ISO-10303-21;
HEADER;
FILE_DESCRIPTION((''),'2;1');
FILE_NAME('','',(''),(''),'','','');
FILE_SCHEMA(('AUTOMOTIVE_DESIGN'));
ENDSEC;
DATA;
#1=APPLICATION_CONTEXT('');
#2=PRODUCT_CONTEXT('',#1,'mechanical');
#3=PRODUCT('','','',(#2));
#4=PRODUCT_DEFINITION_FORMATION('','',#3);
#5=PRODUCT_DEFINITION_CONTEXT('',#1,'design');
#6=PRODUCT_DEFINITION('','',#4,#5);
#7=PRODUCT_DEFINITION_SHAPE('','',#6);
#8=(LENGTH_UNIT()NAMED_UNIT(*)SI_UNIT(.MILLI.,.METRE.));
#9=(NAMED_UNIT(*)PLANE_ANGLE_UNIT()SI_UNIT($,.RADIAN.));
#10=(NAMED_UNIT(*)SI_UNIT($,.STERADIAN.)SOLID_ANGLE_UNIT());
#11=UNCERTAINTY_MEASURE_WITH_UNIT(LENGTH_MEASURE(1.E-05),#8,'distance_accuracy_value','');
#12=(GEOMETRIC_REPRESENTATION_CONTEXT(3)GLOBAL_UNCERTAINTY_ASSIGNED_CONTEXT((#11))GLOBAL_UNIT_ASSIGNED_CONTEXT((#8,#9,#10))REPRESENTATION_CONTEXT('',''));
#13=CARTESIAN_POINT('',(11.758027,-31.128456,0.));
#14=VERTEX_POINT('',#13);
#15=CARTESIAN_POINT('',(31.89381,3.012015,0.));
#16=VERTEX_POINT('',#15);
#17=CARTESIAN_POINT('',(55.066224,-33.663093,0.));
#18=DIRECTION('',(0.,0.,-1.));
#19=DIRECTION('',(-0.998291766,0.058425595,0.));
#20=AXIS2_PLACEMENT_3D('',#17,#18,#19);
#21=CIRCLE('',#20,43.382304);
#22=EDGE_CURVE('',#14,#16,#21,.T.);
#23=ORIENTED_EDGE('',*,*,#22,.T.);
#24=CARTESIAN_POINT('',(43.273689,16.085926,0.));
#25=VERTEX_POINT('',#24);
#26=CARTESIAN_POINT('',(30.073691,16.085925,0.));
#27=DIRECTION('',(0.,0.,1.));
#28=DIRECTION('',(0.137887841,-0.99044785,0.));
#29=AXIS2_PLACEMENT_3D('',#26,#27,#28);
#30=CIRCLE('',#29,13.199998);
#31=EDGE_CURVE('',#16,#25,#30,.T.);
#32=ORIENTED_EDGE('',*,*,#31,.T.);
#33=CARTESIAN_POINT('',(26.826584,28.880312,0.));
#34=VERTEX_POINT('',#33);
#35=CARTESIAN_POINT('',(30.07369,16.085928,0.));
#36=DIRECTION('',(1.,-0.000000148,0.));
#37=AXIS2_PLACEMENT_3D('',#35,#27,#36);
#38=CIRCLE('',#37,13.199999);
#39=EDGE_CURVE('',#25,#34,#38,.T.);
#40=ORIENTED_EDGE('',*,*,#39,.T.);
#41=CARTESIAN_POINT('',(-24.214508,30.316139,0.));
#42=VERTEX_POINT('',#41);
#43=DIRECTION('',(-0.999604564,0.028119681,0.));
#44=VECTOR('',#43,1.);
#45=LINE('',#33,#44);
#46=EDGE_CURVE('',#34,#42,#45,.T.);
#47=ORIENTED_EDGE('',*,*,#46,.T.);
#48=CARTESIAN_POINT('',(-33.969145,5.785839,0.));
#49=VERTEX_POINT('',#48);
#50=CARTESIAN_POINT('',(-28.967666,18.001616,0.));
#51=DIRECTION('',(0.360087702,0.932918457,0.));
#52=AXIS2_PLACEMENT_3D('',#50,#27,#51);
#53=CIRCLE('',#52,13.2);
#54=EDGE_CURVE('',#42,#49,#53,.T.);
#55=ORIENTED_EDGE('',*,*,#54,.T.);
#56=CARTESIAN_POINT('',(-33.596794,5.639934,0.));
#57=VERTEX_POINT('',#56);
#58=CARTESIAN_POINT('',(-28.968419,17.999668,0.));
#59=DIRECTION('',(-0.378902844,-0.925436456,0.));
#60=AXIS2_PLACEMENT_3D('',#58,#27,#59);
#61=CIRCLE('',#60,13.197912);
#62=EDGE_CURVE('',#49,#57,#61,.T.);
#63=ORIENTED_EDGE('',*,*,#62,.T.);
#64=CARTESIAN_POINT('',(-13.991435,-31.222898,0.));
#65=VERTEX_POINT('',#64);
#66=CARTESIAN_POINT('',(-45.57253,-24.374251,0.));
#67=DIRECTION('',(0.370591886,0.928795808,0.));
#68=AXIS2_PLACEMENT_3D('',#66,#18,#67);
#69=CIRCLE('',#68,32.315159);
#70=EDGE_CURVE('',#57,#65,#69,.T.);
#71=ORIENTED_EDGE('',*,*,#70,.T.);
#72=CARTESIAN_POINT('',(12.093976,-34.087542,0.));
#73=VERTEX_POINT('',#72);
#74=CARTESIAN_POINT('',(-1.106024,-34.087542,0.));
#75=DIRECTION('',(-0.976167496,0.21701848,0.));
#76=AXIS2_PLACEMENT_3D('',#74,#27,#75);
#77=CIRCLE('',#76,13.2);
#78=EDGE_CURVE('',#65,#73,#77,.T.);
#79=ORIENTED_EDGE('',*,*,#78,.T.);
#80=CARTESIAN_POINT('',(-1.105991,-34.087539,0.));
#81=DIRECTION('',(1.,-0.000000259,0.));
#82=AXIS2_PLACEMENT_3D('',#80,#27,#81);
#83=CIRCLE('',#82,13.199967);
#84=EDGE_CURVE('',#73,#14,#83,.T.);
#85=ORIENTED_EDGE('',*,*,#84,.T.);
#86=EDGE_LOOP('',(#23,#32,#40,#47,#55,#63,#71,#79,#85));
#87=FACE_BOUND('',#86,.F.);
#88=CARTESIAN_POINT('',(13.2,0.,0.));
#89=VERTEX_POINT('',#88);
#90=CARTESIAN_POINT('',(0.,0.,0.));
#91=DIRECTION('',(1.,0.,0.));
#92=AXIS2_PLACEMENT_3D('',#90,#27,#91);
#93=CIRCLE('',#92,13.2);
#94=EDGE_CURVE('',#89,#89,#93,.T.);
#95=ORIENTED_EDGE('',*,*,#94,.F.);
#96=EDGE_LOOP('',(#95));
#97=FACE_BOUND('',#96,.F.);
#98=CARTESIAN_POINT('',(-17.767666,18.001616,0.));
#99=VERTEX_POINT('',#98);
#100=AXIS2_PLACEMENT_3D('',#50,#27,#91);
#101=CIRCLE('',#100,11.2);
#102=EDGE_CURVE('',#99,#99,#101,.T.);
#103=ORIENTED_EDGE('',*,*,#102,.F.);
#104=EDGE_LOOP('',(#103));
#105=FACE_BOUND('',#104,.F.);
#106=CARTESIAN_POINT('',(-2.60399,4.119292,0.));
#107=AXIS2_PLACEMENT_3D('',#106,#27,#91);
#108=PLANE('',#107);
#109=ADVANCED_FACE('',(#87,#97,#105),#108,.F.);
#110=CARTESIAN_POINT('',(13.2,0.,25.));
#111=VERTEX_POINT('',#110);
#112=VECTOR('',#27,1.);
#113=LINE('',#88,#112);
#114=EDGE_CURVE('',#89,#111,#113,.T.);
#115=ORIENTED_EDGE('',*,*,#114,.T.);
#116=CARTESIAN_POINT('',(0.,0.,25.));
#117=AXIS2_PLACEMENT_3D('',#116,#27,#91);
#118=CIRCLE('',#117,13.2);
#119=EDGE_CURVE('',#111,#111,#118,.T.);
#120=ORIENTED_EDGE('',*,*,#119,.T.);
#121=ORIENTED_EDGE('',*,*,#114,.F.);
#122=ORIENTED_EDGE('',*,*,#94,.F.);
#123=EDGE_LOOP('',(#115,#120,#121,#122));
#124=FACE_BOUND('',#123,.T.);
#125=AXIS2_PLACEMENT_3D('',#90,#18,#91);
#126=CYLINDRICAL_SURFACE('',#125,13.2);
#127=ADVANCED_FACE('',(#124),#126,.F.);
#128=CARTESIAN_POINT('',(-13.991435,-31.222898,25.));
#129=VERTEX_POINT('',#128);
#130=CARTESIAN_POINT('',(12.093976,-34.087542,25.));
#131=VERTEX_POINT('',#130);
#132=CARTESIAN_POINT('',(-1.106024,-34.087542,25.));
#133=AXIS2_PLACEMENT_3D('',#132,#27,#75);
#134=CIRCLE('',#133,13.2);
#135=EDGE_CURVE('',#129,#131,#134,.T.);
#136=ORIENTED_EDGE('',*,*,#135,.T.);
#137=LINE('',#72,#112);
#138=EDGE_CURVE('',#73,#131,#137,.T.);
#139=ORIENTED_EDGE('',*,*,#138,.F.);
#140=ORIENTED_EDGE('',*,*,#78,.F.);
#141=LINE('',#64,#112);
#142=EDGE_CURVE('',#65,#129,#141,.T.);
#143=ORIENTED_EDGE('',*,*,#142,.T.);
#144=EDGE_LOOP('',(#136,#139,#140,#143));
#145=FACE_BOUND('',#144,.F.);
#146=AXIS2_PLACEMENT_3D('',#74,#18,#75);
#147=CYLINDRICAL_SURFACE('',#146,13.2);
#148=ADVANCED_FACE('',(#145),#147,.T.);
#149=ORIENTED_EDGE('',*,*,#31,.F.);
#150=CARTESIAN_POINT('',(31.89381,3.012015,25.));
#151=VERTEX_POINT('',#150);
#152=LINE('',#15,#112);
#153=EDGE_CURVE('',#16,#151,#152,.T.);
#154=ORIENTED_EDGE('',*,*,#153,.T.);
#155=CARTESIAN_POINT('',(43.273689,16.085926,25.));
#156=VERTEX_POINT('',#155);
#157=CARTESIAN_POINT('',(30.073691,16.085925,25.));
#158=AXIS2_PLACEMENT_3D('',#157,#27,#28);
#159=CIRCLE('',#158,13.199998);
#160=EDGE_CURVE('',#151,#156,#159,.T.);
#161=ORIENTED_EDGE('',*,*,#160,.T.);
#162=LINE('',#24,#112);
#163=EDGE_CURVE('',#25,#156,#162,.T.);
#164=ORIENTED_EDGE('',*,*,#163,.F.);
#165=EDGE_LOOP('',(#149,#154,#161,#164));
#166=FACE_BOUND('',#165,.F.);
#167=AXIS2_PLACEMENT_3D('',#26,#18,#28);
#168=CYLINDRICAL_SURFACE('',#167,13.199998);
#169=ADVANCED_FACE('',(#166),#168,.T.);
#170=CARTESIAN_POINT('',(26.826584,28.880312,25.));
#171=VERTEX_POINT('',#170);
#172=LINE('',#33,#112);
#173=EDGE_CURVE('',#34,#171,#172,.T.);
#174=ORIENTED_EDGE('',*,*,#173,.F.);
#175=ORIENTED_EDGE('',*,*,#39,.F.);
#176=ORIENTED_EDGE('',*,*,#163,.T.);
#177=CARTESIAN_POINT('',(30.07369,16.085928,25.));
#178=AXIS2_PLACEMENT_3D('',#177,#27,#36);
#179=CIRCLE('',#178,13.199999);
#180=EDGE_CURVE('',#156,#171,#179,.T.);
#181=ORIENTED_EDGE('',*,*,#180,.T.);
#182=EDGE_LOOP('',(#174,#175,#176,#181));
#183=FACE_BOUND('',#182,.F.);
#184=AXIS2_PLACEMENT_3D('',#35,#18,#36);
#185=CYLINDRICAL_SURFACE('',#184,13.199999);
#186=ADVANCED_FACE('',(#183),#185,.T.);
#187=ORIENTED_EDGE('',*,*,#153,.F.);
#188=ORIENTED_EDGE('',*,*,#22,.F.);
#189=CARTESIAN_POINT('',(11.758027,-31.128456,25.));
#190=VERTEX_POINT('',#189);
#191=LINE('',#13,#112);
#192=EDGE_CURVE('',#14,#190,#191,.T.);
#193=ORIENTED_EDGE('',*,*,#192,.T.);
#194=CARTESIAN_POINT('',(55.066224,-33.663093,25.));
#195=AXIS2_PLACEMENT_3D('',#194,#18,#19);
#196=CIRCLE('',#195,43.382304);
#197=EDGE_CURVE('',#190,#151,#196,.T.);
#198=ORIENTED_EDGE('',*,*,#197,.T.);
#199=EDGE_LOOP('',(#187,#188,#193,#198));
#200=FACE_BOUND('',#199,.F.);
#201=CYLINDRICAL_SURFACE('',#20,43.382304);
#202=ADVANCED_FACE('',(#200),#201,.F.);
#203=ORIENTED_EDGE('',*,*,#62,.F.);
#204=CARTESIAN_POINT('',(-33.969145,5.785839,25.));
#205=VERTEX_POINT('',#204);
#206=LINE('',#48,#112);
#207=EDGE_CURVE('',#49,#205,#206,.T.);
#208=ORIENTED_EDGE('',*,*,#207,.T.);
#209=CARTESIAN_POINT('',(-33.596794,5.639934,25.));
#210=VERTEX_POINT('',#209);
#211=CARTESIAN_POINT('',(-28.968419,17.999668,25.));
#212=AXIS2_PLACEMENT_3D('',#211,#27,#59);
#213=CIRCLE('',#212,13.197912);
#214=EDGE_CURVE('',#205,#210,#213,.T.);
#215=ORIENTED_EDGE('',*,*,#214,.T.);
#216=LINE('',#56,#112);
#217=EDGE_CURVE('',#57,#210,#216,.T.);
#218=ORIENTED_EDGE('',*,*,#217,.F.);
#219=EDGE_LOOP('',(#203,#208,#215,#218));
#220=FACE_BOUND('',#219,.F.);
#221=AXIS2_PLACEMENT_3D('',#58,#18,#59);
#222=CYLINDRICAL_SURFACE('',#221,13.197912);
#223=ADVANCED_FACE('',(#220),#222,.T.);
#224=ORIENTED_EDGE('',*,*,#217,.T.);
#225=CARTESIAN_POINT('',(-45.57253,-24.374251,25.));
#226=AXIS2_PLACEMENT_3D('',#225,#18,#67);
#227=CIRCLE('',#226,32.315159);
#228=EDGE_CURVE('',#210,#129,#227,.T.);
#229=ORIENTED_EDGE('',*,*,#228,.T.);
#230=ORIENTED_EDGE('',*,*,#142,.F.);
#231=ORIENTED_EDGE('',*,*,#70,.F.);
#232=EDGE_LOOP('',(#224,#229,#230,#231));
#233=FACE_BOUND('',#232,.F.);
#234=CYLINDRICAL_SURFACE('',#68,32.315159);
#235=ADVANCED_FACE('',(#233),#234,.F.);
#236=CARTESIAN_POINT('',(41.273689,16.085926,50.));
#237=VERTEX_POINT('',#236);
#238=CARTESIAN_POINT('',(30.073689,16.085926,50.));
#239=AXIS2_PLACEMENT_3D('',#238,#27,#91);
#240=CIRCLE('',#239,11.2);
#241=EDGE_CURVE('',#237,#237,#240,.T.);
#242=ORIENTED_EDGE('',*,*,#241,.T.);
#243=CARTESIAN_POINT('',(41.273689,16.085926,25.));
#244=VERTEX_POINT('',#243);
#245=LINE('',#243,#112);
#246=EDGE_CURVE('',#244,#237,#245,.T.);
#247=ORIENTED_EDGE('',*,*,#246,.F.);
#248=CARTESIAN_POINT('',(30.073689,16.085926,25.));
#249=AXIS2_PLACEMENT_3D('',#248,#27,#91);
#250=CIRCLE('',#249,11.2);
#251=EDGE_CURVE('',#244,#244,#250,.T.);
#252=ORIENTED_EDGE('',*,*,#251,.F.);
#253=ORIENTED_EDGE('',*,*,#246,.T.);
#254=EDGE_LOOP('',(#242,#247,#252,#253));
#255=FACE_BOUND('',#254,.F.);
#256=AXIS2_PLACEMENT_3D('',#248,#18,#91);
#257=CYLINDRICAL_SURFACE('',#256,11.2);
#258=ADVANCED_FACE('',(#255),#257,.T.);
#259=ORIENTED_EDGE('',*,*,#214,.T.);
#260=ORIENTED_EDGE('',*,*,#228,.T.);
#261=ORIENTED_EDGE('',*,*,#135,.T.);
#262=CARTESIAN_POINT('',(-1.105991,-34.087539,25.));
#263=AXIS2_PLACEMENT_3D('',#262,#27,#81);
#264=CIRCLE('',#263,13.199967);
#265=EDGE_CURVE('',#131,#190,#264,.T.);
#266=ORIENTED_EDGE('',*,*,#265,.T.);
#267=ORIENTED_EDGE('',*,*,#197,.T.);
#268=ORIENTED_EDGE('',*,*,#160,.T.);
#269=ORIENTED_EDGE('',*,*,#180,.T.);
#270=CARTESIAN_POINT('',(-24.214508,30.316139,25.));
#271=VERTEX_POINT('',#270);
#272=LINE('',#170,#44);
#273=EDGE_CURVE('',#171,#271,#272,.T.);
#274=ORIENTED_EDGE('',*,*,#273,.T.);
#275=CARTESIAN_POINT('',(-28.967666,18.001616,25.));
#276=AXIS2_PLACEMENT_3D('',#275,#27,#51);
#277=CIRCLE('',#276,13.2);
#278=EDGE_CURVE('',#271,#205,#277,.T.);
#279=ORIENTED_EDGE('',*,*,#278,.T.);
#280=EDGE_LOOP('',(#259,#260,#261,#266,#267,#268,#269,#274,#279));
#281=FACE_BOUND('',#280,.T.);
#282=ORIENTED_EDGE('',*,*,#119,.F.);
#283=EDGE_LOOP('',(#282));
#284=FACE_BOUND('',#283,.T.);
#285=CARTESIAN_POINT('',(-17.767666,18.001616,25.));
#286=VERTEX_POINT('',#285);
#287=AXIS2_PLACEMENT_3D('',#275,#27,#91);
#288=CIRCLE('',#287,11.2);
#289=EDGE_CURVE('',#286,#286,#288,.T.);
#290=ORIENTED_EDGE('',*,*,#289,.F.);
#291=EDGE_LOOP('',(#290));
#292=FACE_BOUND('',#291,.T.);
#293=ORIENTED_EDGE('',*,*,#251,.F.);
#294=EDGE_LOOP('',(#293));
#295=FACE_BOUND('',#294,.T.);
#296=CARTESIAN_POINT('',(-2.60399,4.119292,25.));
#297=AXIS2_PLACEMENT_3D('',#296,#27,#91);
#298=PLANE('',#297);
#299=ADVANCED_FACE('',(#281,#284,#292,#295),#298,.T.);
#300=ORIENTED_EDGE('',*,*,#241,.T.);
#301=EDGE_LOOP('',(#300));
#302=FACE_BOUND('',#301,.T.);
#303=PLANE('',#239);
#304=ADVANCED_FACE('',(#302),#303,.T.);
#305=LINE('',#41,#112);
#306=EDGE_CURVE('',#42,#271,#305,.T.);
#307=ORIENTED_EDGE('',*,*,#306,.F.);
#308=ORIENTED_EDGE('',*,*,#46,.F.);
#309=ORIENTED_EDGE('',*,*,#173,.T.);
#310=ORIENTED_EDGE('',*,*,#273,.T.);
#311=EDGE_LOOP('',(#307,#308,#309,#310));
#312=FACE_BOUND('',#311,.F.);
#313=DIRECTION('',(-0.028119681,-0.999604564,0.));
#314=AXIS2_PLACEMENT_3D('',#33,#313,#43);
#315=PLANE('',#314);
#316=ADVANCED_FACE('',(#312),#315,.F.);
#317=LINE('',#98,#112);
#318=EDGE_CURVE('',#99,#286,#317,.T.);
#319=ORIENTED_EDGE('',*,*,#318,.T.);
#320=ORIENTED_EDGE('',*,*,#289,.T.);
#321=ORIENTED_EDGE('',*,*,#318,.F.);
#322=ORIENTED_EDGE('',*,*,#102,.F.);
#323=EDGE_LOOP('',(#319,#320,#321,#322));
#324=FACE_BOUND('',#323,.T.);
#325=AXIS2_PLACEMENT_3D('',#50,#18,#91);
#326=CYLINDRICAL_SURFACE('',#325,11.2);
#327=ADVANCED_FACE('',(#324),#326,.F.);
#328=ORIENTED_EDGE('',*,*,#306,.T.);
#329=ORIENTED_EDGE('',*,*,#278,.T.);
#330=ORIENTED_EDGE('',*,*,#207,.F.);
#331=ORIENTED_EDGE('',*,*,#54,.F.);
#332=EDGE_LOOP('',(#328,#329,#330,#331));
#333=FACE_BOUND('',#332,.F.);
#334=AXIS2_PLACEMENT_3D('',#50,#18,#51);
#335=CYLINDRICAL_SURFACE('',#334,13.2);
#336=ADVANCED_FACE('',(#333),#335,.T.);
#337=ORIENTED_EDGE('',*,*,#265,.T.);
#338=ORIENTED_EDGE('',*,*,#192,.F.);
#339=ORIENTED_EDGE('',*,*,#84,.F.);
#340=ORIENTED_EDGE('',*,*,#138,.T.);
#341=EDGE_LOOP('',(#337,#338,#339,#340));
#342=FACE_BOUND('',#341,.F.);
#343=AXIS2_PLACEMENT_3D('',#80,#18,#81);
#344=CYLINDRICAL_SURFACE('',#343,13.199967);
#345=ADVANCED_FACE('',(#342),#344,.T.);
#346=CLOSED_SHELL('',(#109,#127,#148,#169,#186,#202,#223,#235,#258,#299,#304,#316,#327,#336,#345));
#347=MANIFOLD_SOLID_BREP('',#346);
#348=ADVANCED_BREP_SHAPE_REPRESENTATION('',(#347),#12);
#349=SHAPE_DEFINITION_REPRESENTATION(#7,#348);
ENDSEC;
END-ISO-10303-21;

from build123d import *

# Parameters (mm, degrees)
F0_R     = 13.2
F0_R_2   = 11.2
F1_DEPTH = 25
F2_R     = 11.2
F3_DEPTH = 25


with BuildPart() as f1:
    # F0 (on Top) → F1 (new body)
    with BuildSketch(Plane.XY):
        with BuildLine():
            Line((26.826584, 28.880312), (-24.214508, 30.316139))
            ThreePointArc((-24.214508, 30.316139), (-41.233444, 22.879184), (-33.969145, 5.785839))
            ThreePointArc((-33.969145, 5.785839), (-33.782744, 5.713463), (-33.596794, 5.639934))
            ThreePointArc((-33.596794, 5.639934), (-17.041556, -9.200159), (-13.991435, -31.222898))
            ThreePointArc((-13.991435, -31.222898), (-1.154438, -20.887631), (11.758027, -31.128456))
            ThreePointArc((11.758027, -31.128456), (17.698981, -11.624185), (31.89381, 3.012015))
            ThreePointArc((31.89381, 3.012015), (17.119876, 13.548461), (26.826584, 28.880312))
        make_face()
        Circle(F0_R, mode=Mode.SUBTRACT)
        with Locations((-28.967666, 18.001616)):
            Circle(F0_R_2, mode=Mode.SUBTRACT)
        with BuildLine():
            ThreePointArc((-33.596794, 5.639934), (-33.782744, 5.713463), (-33.969145, 5.785839))
            ThreePointArc((-33.969145, 5.785839), (-33.783522, 5.711476), (-33.596794, 5.639934))
        make_face()
        with BuildLine():
            ThreePointArc((43.273689, 16.085926), (38.178571, 26.504703), (26.826584, 28.880312))
            ThreePointArc((26.826584, 28.880312), (17.119876, 13.548461), (31.89381, 3.012015))
            ThreePointArc((31.89381, 3.012015), (40.030235, 7.419485), (43.273689, 16.085926))
        make_face()
        with BuildLine():
            ThreePointArc((11.758027, -31.128456), (-1.154438, -20.887631), (-13.991435, -31.222898))
            ThreePointArc((-13.991435, -31.222898), (-2.546957, -47.208659), (12.093976, -34.087542))
            ThreePointArc((12.093976, -34.087542), (12.00972, -32.598494), (11.758027, -31.128456))
        make_face()
    extrude(amount=F1_DEPTH)

    # F2 (on face) → F3 (join)
    with BuildSketch(Plane.XY.offset(25)):
        with Locations((30.073689, 16.085926)):
            Circle(F2_R)
    extrude(amount=F3_DEPTH)


solid = f1.part
